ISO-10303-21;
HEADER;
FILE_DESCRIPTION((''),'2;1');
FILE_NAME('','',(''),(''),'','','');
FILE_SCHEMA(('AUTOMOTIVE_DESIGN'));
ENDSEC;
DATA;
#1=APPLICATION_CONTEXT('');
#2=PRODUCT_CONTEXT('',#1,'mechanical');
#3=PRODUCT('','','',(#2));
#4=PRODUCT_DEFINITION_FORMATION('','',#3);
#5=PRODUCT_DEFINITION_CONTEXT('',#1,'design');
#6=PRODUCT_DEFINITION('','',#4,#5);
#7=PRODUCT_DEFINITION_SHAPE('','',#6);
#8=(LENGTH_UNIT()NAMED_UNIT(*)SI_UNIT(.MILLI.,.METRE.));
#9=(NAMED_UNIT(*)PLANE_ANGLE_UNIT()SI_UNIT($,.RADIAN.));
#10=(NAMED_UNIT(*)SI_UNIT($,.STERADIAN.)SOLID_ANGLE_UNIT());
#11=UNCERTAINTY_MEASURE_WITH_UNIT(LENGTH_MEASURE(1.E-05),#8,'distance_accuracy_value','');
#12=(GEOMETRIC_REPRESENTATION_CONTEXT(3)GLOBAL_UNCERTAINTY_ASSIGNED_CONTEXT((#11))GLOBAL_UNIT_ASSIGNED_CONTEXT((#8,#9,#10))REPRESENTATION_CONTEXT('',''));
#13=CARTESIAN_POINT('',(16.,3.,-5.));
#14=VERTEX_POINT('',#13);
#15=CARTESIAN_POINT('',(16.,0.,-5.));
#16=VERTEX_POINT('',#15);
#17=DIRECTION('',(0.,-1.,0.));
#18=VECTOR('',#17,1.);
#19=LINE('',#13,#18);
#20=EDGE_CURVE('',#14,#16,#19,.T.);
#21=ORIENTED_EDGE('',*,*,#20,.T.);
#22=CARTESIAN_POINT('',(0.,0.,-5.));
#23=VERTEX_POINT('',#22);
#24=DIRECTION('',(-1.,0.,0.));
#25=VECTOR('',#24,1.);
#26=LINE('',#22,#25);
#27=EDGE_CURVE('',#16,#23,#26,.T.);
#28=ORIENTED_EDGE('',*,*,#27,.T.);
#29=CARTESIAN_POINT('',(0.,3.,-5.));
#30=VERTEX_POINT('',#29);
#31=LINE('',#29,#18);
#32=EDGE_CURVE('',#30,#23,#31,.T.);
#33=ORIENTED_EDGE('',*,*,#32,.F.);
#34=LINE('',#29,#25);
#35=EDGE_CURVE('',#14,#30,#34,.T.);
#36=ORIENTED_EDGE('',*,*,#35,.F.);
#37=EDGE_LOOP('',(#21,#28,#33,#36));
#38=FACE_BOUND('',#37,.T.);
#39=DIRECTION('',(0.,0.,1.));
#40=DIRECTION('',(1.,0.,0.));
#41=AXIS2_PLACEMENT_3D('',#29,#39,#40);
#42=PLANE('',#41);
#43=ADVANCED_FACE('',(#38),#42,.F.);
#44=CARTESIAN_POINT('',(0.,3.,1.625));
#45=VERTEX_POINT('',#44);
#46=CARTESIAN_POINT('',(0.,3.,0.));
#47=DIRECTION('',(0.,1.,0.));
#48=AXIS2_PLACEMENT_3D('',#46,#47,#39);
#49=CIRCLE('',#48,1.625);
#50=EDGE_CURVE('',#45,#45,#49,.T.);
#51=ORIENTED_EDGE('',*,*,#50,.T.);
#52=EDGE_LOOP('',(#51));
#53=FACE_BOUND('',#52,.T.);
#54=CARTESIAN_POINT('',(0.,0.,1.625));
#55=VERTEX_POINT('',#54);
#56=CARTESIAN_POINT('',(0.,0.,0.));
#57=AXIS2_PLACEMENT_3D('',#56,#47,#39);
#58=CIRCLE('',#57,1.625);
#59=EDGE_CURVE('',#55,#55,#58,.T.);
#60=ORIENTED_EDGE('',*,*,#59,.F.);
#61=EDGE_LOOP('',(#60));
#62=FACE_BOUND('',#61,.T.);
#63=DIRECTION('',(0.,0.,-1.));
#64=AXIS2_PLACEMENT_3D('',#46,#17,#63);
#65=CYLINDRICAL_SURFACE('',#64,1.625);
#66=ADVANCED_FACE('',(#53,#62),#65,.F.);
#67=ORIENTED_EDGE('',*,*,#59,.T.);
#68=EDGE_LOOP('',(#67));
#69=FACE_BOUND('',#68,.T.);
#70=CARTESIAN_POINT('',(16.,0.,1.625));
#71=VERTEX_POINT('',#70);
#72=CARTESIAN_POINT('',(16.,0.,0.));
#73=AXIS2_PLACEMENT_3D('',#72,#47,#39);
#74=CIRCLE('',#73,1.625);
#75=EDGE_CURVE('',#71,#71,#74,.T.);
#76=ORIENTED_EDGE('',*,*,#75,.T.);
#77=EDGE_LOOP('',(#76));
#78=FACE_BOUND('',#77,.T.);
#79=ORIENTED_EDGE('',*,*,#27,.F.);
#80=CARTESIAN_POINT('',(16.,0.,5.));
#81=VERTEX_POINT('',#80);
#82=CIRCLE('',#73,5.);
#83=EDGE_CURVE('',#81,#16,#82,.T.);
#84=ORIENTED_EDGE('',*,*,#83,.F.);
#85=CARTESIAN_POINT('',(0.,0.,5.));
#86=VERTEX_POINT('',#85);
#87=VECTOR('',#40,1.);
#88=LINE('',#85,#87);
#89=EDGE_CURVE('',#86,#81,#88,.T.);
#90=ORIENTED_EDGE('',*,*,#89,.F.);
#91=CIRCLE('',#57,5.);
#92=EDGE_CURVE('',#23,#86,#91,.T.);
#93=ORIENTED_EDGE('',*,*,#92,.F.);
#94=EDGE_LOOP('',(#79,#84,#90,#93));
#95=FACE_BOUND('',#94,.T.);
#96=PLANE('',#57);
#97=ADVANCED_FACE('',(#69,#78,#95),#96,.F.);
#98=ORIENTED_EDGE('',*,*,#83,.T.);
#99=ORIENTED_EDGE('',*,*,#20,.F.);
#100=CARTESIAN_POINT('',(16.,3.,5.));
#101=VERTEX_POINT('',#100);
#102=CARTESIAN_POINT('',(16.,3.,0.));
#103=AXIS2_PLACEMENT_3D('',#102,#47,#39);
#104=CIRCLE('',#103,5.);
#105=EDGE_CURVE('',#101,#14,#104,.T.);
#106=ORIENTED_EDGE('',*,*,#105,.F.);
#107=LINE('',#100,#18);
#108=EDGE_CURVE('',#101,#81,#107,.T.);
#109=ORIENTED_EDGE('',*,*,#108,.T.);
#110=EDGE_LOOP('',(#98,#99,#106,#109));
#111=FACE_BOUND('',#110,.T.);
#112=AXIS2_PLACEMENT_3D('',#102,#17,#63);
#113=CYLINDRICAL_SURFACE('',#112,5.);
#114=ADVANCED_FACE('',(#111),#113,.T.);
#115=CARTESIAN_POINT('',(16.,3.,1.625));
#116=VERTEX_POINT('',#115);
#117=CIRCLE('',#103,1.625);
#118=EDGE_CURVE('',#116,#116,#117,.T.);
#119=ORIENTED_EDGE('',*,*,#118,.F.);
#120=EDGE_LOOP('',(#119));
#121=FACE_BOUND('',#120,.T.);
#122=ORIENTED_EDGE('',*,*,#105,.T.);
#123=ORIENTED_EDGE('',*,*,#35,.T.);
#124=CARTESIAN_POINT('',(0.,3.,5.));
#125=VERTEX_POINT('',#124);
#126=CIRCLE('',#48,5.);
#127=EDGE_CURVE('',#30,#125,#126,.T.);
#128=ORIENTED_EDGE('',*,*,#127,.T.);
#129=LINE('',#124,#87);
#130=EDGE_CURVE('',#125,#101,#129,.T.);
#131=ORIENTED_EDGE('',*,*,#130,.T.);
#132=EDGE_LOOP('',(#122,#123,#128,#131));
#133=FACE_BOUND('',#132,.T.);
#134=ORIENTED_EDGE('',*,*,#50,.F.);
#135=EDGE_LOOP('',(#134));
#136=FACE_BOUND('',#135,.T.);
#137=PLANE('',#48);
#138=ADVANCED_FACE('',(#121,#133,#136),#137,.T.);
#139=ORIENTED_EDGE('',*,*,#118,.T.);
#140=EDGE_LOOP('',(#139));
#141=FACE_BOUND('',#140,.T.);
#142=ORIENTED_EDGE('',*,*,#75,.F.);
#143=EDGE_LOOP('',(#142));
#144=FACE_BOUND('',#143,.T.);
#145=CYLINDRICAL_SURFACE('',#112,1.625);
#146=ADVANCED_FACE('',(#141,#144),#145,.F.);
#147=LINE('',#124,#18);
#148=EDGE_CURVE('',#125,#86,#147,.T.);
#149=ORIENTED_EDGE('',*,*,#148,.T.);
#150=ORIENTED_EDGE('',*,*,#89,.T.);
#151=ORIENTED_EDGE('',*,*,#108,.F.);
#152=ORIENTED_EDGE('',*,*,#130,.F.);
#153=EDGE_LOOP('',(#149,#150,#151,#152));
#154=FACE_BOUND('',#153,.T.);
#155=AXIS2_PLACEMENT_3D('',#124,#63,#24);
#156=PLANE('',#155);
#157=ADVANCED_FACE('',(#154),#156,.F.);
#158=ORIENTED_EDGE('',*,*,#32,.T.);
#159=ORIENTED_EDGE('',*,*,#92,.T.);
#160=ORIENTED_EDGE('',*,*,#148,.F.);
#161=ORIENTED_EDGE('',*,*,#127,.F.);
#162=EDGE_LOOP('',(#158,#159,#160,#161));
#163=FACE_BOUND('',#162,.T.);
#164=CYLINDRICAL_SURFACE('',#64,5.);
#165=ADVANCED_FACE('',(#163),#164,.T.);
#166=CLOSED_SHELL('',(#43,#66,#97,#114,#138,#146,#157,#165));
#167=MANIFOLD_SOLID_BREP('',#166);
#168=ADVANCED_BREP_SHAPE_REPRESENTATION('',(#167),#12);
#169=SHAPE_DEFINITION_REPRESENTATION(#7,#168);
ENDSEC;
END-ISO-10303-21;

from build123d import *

# Parameters (mm, degrees)
SKETCH1_R           = 1.625
BOSS_EXTRUDE1_DEPTH = 3


with BuildPart() as part:
    # Sketch1 → Boss-Extrude1 (new body)
    with BuildSketch(Plane(origin=(0, 0, 0), x_dir=(1, 0, 0), z_dir=(0, 1, 0))):
        with BuildLine():
            Line((0, 5), (16, 5))
            ThreePointArc((16, 5), (21, 0), (16, -5))
            Line((16, -5), (0, -5))
            ThreePointArc((0, -5), (-5, 0), (0, 5))
        make_face()
        Circle(SKETCH1_R, mode=Mode.SUBTRACT)
        with Locations((16, 0)):
            Circle(SKETCH1_R, mode=Mode.SUBTRACT)
    extrude(amount=BOSS_EXTRUDE1_DEPTH)


solid = part.part
